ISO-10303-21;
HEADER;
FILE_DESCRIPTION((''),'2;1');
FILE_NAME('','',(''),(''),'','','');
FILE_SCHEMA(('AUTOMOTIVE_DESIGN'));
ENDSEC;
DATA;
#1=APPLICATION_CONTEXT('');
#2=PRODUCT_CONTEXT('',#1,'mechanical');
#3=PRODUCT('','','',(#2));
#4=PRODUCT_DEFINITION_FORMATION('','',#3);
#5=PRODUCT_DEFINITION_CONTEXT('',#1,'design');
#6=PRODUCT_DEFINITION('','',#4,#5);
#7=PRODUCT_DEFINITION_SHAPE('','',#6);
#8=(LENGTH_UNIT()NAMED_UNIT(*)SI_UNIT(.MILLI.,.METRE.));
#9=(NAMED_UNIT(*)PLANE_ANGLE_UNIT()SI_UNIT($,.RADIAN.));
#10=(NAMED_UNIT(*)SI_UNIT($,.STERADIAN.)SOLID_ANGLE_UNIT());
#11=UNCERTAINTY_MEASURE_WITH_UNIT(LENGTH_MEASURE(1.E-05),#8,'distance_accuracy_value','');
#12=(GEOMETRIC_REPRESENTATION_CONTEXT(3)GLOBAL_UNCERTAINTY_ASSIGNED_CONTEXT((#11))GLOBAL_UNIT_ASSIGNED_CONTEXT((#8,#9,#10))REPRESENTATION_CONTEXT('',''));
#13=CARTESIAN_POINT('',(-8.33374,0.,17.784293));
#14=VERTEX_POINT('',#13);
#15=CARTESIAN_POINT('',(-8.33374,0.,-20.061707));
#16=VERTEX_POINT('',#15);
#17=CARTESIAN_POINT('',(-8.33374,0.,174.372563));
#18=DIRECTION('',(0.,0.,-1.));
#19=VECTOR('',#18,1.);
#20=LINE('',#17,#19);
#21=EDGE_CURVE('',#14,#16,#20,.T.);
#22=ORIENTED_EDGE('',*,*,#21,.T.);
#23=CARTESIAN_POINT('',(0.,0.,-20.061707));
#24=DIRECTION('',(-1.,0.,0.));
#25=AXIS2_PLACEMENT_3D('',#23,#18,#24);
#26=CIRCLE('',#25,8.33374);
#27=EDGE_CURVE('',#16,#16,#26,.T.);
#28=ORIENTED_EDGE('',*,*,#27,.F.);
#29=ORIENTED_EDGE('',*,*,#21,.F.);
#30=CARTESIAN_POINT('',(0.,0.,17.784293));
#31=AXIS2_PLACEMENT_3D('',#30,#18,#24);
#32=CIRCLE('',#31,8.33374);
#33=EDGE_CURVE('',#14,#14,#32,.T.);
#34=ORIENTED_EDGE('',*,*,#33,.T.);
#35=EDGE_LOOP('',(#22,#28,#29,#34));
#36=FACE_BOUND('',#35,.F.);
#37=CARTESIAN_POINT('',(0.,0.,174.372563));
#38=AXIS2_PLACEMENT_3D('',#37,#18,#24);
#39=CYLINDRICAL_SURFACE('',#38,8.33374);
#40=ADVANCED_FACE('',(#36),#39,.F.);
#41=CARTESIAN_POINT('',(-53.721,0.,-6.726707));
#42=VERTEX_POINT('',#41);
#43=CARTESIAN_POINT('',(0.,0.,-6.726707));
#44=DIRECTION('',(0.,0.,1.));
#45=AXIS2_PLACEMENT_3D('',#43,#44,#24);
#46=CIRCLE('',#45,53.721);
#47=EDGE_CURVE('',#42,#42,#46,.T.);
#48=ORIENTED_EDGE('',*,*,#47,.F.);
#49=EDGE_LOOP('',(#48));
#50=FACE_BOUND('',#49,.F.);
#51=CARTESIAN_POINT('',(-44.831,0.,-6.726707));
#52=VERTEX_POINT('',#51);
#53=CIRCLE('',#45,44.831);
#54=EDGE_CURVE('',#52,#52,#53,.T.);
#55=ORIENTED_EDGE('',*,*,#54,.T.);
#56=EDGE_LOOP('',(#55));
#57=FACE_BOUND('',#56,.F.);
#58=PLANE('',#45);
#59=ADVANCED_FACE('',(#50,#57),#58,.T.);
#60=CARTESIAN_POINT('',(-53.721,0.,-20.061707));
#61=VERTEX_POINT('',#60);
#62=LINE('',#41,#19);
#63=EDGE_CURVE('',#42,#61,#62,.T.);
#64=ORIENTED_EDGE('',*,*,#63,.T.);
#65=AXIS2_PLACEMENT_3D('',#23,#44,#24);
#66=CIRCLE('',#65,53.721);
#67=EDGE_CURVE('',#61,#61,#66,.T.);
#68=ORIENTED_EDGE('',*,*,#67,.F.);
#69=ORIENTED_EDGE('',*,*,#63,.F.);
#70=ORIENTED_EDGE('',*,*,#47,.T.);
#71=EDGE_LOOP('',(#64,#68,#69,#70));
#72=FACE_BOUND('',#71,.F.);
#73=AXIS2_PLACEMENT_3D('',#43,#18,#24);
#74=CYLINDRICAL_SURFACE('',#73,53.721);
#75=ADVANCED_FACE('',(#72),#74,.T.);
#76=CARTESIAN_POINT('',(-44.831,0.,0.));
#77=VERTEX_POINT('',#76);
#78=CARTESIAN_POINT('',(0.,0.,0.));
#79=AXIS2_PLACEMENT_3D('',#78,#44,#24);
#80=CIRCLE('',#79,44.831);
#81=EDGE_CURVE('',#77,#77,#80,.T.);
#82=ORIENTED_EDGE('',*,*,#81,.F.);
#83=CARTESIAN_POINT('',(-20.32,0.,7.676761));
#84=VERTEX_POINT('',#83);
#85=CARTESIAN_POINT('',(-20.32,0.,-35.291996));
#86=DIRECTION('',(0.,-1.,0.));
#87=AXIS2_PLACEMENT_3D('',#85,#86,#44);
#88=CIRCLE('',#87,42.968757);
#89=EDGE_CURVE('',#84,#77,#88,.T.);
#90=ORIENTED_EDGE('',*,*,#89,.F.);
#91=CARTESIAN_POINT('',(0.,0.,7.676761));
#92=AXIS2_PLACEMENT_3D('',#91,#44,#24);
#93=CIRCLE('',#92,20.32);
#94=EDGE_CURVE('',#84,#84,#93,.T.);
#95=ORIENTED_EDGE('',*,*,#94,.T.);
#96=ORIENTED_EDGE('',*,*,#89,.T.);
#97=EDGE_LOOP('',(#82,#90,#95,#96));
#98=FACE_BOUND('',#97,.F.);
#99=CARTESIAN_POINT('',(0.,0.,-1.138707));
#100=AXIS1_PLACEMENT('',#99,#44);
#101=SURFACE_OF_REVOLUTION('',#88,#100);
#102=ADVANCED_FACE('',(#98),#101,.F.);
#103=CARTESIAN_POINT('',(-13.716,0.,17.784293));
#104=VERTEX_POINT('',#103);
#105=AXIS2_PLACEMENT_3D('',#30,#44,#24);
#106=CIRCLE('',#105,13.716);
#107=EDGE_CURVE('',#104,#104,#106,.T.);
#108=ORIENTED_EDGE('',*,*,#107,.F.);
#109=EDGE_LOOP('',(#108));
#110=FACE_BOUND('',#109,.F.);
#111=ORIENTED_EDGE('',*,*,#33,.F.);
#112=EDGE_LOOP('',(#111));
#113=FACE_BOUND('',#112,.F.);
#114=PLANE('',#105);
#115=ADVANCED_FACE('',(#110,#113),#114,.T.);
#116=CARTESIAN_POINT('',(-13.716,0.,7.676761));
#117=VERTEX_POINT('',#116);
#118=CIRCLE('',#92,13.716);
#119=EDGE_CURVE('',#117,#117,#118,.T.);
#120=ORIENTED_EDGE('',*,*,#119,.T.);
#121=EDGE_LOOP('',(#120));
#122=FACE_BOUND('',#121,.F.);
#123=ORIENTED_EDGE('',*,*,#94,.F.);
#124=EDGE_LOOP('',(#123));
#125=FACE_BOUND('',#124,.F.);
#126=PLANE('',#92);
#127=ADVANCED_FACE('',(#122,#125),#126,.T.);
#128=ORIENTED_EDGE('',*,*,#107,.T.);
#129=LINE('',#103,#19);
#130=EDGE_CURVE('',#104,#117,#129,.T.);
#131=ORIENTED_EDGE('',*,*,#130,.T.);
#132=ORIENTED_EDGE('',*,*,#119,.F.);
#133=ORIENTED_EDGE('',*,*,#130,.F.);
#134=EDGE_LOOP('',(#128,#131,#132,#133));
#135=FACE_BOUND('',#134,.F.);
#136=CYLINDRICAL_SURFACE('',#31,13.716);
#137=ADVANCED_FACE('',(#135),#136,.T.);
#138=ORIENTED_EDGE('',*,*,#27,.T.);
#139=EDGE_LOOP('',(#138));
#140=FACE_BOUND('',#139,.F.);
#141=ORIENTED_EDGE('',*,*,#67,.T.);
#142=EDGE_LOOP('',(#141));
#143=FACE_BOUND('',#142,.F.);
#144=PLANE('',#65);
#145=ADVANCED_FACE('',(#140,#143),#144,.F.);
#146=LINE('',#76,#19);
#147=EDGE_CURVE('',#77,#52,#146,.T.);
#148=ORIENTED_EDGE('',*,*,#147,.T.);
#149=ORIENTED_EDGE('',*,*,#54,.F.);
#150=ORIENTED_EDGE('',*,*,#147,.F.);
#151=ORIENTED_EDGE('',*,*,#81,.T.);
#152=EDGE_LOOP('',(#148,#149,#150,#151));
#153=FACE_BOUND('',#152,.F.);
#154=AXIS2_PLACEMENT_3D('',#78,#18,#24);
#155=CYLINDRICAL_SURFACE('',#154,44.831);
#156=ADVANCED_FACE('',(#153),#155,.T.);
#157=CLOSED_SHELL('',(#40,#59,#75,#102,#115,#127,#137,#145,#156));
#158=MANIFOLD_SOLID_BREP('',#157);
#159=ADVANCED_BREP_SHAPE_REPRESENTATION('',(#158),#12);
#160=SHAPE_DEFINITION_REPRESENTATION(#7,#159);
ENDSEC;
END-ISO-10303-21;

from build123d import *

# Parameters (mm, degrees)
F3_D = 16.66748


with BuildPart() as f1:
    # F0 (on Front) → F1 (revolve)
    with BuildSketch(Plane.XZ):
        with BuildLine():
            Line((-44.831, -6.7267071241), (-53.721, -6.7267071241))
            Line((-53.721, -6.7267071241), (-53.721, -20.0617071241))
            Line((-53.721, -20.0617071241), (0, -20.0617071241))
            Line((0, -20.0617071241), (0, 17.7842928759))
            Line((0, 17.7842928759), (-13.716, 17.7842928759))
            Line((-13.716, 17.7842928759), (-13.716, 7.6767612798))
            Line((-13.716, 7.6767612798), (-20.32, 7.6767612798))
            ThreePointArc((-20.32, 7.6767612798), (-33.1625249148, 5.7126824661), (-44.831, 0))
            Line((-44.831, 0), (-44.831, -6.7267071241))
        make_face()
    revolve(axis=Axis((0, 0, -1.1387071241), (0, 0, 1)))

    # F3 (through all)
    with Locations(Plane.XY.offset(17.7842928759)):
        with Locations((0, 0)):
            Hole(F3_D / 2)


solid = f1.part
